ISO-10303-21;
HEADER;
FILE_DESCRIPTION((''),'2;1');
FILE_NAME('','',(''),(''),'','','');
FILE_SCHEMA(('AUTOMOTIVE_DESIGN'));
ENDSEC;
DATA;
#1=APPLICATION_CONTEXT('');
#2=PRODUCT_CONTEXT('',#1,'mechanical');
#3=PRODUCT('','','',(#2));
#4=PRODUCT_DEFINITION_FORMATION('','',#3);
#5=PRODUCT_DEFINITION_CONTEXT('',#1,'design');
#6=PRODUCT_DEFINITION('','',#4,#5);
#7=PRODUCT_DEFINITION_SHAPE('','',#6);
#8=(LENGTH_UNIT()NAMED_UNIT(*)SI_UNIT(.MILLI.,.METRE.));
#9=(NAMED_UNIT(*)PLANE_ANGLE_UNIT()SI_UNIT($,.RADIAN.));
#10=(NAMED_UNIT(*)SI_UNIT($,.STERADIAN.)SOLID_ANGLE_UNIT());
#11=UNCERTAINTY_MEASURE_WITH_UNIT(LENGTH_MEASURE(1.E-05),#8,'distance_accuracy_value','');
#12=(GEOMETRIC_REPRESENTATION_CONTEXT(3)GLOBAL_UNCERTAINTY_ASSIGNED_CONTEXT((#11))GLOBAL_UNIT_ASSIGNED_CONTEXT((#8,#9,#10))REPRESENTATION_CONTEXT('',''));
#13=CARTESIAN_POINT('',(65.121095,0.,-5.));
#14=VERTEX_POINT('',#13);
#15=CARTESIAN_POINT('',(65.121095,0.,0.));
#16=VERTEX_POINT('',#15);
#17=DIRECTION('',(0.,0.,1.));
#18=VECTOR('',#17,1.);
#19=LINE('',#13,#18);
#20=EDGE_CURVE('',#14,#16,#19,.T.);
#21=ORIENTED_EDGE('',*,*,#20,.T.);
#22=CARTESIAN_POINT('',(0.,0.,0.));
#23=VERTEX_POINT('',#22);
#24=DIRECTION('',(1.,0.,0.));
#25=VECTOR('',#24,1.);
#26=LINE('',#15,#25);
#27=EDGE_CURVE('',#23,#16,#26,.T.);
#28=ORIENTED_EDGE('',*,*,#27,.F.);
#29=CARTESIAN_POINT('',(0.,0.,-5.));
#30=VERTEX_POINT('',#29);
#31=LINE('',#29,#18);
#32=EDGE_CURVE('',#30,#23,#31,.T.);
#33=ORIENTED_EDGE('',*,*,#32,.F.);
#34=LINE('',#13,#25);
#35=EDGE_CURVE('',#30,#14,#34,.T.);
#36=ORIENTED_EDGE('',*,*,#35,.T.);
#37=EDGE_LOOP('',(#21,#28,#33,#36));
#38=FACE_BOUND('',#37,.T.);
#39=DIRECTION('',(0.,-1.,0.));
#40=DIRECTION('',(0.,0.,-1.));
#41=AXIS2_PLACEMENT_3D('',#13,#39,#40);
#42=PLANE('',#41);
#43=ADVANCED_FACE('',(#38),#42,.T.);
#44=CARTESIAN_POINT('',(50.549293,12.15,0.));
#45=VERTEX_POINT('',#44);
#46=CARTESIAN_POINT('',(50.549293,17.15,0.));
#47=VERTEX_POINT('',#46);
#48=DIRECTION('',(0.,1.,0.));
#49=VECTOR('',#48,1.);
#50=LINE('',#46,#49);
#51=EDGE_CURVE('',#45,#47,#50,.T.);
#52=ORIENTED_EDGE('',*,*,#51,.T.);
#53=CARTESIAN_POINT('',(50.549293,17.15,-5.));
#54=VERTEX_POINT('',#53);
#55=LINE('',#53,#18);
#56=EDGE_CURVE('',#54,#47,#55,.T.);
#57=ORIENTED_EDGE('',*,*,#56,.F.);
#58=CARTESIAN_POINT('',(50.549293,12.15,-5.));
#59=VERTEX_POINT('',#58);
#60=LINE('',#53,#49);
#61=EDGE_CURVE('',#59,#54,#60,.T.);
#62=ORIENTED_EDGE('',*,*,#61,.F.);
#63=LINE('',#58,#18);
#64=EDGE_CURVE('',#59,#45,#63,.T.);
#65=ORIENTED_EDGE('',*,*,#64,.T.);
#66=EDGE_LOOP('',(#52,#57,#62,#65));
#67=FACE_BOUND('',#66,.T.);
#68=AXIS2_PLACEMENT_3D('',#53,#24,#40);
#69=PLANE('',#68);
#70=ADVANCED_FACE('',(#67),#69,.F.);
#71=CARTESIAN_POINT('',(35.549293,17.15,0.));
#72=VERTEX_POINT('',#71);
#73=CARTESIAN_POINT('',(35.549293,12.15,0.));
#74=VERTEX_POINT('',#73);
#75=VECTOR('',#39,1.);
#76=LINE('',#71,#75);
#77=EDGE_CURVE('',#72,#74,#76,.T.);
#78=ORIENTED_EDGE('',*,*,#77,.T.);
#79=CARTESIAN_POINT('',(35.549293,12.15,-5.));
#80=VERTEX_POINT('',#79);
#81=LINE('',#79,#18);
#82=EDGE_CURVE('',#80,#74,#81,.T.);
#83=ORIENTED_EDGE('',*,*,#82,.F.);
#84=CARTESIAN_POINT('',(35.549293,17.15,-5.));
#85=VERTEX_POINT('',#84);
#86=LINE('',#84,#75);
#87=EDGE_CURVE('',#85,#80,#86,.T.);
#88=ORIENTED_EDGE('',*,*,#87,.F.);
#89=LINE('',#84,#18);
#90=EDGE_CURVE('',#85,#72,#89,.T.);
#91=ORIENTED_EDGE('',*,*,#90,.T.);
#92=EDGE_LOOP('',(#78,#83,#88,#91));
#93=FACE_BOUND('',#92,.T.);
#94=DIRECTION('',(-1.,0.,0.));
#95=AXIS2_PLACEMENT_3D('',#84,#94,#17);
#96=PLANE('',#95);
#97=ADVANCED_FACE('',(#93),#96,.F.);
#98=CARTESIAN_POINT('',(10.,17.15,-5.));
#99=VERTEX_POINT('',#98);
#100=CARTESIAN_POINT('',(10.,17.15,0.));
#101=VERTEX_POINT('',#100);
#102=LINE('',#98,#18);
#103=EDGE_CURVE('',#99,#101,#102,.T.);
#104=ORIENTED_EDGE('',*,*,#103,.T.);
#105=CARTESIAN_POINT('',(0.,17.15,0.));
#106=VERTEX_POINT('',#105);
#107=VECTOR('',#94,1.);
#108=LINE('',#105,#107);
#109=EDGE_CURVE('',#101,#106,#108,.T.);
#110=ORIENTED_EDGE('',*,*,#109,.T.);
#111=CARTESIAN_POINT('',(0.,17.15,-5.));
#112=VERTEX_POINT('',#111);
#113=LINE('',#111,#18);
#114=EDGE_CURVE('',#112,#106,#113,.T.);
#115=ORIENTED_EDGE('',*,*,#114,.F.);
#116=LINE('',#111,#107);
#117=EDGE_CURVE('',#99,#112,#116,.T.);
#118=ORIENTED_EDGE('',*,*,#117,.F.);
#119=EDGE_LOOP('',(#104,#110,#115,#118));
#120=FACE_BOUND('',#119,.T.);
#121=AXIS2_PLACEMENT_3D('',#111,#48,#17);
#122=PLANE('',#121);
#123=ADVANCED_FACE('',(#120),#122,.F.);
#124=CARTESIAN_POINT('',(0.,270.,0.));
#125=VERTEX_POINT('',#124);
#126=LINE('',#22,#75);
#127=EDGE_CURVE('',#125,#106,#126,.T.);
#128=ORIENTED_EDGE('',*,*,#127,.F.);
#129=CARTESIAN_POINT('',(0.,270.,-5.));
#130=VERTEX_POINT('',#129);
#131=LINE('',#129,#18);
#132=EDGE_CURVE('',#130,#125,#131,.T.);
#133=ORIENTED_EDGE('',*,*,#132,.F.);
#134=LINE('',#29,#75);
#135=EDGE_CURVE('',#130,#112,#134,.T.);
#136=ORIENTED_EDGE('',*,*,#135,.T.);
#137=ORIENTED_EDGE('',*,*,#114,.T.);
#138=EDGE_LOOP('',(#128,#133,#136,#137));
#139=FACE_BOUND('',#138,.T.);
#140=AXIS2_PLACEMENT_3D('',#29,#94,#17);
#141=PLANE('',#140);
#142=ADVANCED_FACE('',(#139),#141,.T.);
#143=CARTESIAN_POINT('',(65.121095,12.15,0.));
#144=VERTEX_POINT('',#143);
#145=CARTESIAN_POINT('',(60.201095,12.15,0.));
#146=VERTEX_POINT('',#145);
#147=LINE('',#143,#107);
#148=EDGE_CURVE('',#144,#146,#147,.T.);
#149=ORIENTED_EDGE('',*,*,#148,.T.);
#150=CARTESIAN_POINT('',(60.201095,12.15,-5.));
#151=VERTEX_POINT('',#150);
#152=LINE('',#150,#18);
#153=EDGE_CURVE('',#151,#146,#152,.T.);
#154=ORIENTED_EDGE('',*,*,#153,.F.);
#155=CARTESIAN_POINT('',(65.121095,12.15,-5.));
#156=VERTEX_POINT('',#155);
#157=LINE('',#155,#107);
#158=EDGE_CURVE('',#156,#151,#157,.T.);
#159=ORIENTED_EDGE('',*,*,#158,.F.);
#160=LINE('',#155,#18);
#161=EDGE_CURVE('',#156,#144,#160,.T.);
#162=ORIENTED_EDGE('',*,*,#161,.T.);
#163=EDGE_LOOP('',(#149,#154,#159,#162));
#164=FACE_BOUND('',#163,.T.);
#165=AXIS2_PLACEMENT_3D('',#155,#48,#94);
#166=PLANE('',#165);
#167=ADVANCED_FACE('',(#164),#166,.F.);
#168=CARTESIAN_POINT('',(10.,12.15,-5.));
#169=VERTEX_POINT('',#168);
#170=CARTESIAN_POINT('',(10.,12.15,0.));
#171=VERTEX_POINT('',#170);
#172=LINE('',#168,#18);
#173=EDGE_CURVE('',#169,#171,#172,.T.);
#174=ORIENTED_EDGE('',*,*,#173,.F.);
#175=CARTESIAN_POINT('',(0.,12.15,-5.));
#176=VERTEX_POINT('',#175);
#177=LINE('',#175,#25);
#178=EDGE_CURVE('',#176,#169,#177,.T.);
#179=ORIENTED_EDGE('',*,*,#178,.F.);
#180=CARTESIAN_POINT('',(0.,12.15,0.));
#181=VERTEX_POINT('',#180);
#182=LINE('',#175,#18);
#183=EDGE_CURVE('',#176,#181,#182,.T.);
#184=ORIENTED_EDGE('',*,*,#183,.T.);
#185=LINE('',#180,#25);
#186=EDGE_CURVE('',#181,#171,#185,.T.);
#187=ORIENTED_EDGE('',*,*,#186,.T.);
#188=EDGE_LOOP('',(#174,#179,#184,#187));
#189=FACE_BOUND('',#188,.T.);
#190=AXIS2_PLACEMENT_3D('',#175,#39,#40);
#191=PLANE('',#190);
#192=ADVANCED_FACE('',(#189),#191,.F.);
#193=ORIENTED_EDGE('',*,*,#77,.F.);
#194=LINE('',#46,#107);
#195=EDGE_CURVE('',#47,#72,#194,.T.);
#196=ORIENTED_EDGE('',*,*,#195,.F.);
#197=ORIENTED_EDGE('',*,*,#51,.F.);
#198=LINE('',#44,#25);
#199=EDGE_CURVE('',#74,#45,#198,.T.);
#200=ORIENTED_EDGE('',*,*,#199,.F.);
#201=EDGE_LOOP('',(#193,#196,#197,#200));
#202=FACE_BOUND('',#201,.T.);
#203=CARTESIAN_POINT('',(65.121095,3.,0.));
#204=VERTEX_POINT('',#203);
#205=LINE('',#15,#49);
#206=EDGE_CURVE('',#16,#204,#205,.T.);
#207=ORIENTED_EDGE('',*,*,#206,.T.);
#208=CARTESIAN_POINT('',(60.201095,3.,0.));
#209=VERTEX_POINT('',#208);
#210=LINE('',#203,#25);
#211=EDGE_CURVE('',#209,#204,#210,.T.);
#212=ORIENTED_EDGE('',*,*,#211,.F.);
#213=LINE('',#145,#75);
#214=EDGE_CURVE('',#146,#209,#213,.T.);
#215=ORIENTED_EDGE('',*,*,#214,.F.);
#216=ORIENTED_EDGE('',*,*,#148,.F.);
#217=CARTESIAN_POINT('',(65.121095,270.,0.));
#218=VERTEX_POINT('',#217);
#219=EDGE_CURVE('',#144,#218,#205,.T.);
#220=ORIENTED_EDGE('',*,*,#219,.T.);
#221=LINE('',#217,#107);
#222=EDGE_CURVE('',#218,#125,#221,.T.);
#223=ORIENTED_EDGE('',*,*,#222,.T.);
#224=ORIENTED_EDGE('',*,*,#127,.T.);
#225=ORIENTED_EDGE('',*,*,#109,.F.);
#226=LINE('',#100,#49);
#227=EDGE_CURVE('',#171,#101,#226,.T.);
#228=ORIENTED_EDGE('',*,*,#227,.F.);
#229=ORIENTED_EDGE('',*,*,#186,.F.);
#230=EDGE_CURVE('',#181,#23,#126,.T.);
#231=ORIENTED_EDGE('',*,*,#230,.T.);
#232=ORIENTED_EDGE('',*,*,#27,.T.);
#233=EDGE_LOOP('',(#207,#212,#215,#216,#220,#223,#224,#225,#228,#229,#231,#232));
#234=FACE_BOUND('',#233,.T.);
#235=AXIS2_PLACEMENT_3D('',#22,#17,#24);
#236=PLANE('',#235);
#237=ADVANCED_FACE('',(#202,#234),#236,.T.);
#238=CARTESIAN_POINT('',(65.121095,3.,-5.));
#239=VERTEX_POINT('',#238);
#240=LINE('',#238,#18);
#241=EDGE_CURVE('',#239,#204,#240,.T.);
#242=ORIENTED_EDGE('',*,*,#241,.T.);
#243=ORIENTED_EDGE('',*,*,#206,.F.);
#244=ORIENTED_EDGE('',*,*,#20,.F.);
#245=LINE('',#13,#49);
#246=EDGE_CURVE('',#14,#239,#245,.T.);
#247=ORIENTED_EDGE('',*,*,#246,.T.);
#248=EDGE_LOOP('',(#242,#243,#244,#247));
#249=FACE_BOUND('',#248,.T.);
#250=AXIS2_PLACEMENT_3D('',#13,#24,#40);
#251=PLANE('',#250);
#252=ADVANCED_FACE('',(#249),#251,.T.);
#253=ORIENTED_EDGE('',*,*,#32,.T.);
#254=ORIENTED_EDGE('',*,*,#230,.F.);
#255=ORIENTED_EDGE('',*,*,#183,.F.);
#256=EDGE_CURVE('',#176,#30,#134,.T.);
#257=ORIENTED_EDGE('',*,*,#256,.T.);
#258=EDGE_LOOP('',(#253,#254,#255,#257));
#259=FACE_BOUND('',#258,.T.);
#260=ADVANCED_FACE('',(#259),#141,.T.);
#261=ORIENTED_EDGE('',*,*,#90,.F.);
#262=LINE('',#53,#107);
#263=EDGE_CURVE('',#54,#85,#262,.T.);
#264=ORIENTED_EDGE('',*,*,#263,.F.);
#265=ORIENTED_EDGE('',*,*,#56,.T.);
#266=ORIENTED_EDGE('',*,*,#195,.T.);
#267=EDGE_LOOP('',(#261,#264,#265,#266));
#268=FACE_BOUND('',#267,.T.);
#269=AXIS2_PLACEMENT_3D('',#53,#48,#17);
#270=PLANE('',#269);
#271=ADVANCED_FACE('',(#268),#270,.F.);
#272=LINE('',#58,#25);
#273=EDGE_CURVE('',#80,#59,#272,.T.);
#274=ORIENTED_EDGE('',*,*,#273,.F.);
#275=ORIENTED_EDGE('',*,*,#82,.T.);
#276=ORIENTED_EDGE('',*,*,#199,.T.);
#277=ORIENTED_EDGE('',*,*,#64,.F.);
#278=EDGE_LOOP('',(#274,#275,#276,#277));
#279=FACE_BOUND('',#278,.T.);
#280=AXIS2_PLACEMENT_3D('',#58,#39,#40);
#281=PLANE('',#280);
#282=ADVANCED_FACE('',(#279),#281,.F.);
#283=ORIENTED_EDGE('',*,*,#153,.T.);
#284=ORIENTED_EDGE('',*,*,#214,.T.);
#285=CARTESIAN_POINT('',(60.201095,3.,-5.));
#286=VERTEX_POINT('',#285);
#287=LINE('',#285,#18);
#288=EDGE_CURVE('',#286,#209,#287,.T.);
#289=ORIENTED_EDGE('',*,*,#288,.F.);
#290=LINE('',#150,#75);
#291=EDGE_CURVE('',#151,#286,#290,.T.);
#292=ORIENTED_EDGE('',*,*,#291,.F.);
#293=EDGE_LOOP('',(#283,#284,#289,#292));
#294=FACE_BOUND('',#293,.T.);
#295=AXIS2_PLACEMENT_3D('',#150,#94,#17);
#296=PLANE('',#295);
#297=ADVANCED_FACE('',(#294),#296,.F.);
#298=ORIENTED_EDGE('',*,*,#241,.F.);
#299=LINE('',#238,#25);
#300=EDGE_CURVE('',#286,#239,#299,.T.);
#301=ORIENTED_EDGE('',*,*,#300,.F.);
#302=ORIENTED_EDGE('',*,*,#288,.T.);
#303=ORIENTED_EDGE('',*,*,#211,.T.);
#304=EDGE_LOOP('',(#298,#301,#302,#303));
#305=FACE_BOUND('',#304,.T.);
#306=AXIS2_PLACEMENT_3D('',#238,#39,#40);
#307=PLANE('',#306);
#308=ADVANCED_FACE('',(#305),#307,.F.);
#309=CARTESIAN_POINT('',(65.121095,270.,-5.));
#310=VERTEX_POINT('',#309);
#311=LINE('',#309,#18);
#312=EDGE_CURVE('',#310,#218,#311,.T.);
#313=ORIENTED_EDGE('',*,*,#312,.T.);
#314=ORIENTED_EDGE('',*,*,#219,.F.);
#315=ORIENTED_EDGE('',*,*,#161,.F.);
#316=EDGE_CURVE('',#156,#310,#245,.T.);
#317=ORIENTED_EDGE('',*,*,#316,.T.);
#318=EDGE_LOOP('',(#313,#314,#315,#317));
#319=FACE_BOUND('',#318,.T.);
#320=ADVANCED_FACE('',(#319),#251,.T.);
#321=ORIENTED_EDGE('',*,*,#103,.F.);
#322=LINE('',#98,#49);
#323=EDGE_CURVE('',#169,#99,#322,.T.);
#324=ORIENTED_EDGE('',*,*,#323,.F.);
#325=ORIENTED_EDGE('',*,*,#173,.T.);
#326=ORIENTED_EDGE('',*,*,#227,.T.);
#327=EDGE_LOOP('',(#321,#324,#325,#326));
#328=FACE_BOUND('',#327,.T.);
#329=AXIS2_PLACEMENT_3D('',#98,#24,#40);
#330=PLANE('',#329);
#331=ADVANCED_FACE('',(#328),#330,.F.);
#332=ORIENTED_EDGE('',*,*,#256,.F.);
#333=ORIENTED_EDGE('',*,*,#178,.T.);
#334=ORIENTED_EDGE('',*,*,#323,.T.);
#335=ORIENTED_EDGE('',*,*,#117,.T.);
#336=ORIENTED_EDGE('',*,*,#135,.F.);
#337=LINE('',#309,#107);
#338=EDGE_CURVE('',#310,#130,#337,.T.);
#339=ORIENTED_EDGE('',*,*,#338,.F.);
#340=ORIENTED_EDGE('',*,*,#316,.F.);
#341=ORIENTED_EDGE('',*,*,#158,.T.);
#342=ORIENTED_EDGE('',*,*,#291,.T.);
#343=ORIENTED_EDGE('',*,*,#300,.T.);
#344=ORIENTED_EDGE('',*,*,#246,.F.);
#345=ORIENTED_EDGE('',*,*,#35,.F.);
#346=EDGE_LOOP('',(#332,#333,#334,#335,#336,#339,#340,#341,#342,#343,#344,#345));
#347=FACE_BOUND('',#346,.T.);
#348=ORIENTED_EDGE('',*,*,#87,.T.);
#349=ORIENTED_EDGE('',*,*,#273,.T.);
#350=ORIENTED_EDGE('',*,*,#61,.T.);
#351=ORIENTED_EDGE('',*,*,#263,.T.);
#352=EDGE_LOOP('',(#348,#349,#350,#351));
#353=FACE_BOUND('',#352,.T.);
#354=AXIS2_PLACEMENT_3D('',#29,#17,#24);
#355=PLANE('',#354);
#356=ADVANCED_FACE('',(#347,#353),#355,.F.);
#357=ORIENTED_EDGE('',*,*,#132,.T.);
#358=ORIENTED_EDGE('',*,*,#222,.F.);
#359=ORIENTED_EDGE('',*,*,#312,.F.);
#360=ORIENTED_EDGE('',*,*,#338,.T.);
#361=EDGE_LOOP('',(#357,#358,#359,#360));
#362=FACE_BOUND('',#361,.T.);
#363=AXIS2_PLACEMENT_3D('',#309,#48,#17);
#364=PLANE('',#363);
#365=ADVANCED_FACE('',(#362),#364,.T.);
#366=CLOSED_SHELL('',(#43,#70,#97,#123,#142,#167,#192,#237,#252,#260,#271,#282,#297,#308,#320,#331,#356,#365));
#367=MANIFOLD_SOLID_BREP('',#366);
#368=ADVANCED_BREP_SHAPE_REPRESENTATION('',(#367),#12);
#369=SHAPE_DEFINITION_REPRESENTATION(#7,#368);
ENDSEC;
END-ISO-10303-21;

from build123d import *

# Parameters (mm, degrees)
ESQUISSE1_W             = 65.121094869
ESQUISSE1_H             = 270
BOSS_EXTRU_1_DEPTH      = 5
ESQUISSE2_W             = 10
ESQUISSE2_H             = 5
ESQUISSE2_W_2           = 15
ESQUISSE2_W_3           = 4.92
ESQUISSE2_H_2           = 9.15
ENL_V_MAT_EXTRU_1_DEPTH = 5


with BuildPart() as part:
    # Esquisse1 → Boss.-Extru.1 (new body)
    with BuildSketch(Plane.XY):
        with Locations((32.560547435, 135)):
            Rectangle(ESQUISSE1_W, ESQUISSE1_H)
    extrude(amount=-BOSS_EXTRU_1_DEPTH)

    # Esquisse2 → Enlèv. mat.-Extru.1 (cut)
    with BuildSketch(Plane.XY):
        with Locations((5, 14.65)):
            Rectangle(ESQUISSE2_W, ESQUISSE2_H)
        with Locations((43.049292824, 14.65)):
            Rectangle(ESQUISSE2_W_2, ESQUISSE2_H)
        with Locations((62.661094869, 7.575)):
            Rectangle(ESQUISSE2_W_3, ESQUISSE2_H_2)
    extrude(amount=-ENL_V_MAT_EXTRU_1_DEPTH, mode=Mode.SUBTRACT)


solid = part.part
